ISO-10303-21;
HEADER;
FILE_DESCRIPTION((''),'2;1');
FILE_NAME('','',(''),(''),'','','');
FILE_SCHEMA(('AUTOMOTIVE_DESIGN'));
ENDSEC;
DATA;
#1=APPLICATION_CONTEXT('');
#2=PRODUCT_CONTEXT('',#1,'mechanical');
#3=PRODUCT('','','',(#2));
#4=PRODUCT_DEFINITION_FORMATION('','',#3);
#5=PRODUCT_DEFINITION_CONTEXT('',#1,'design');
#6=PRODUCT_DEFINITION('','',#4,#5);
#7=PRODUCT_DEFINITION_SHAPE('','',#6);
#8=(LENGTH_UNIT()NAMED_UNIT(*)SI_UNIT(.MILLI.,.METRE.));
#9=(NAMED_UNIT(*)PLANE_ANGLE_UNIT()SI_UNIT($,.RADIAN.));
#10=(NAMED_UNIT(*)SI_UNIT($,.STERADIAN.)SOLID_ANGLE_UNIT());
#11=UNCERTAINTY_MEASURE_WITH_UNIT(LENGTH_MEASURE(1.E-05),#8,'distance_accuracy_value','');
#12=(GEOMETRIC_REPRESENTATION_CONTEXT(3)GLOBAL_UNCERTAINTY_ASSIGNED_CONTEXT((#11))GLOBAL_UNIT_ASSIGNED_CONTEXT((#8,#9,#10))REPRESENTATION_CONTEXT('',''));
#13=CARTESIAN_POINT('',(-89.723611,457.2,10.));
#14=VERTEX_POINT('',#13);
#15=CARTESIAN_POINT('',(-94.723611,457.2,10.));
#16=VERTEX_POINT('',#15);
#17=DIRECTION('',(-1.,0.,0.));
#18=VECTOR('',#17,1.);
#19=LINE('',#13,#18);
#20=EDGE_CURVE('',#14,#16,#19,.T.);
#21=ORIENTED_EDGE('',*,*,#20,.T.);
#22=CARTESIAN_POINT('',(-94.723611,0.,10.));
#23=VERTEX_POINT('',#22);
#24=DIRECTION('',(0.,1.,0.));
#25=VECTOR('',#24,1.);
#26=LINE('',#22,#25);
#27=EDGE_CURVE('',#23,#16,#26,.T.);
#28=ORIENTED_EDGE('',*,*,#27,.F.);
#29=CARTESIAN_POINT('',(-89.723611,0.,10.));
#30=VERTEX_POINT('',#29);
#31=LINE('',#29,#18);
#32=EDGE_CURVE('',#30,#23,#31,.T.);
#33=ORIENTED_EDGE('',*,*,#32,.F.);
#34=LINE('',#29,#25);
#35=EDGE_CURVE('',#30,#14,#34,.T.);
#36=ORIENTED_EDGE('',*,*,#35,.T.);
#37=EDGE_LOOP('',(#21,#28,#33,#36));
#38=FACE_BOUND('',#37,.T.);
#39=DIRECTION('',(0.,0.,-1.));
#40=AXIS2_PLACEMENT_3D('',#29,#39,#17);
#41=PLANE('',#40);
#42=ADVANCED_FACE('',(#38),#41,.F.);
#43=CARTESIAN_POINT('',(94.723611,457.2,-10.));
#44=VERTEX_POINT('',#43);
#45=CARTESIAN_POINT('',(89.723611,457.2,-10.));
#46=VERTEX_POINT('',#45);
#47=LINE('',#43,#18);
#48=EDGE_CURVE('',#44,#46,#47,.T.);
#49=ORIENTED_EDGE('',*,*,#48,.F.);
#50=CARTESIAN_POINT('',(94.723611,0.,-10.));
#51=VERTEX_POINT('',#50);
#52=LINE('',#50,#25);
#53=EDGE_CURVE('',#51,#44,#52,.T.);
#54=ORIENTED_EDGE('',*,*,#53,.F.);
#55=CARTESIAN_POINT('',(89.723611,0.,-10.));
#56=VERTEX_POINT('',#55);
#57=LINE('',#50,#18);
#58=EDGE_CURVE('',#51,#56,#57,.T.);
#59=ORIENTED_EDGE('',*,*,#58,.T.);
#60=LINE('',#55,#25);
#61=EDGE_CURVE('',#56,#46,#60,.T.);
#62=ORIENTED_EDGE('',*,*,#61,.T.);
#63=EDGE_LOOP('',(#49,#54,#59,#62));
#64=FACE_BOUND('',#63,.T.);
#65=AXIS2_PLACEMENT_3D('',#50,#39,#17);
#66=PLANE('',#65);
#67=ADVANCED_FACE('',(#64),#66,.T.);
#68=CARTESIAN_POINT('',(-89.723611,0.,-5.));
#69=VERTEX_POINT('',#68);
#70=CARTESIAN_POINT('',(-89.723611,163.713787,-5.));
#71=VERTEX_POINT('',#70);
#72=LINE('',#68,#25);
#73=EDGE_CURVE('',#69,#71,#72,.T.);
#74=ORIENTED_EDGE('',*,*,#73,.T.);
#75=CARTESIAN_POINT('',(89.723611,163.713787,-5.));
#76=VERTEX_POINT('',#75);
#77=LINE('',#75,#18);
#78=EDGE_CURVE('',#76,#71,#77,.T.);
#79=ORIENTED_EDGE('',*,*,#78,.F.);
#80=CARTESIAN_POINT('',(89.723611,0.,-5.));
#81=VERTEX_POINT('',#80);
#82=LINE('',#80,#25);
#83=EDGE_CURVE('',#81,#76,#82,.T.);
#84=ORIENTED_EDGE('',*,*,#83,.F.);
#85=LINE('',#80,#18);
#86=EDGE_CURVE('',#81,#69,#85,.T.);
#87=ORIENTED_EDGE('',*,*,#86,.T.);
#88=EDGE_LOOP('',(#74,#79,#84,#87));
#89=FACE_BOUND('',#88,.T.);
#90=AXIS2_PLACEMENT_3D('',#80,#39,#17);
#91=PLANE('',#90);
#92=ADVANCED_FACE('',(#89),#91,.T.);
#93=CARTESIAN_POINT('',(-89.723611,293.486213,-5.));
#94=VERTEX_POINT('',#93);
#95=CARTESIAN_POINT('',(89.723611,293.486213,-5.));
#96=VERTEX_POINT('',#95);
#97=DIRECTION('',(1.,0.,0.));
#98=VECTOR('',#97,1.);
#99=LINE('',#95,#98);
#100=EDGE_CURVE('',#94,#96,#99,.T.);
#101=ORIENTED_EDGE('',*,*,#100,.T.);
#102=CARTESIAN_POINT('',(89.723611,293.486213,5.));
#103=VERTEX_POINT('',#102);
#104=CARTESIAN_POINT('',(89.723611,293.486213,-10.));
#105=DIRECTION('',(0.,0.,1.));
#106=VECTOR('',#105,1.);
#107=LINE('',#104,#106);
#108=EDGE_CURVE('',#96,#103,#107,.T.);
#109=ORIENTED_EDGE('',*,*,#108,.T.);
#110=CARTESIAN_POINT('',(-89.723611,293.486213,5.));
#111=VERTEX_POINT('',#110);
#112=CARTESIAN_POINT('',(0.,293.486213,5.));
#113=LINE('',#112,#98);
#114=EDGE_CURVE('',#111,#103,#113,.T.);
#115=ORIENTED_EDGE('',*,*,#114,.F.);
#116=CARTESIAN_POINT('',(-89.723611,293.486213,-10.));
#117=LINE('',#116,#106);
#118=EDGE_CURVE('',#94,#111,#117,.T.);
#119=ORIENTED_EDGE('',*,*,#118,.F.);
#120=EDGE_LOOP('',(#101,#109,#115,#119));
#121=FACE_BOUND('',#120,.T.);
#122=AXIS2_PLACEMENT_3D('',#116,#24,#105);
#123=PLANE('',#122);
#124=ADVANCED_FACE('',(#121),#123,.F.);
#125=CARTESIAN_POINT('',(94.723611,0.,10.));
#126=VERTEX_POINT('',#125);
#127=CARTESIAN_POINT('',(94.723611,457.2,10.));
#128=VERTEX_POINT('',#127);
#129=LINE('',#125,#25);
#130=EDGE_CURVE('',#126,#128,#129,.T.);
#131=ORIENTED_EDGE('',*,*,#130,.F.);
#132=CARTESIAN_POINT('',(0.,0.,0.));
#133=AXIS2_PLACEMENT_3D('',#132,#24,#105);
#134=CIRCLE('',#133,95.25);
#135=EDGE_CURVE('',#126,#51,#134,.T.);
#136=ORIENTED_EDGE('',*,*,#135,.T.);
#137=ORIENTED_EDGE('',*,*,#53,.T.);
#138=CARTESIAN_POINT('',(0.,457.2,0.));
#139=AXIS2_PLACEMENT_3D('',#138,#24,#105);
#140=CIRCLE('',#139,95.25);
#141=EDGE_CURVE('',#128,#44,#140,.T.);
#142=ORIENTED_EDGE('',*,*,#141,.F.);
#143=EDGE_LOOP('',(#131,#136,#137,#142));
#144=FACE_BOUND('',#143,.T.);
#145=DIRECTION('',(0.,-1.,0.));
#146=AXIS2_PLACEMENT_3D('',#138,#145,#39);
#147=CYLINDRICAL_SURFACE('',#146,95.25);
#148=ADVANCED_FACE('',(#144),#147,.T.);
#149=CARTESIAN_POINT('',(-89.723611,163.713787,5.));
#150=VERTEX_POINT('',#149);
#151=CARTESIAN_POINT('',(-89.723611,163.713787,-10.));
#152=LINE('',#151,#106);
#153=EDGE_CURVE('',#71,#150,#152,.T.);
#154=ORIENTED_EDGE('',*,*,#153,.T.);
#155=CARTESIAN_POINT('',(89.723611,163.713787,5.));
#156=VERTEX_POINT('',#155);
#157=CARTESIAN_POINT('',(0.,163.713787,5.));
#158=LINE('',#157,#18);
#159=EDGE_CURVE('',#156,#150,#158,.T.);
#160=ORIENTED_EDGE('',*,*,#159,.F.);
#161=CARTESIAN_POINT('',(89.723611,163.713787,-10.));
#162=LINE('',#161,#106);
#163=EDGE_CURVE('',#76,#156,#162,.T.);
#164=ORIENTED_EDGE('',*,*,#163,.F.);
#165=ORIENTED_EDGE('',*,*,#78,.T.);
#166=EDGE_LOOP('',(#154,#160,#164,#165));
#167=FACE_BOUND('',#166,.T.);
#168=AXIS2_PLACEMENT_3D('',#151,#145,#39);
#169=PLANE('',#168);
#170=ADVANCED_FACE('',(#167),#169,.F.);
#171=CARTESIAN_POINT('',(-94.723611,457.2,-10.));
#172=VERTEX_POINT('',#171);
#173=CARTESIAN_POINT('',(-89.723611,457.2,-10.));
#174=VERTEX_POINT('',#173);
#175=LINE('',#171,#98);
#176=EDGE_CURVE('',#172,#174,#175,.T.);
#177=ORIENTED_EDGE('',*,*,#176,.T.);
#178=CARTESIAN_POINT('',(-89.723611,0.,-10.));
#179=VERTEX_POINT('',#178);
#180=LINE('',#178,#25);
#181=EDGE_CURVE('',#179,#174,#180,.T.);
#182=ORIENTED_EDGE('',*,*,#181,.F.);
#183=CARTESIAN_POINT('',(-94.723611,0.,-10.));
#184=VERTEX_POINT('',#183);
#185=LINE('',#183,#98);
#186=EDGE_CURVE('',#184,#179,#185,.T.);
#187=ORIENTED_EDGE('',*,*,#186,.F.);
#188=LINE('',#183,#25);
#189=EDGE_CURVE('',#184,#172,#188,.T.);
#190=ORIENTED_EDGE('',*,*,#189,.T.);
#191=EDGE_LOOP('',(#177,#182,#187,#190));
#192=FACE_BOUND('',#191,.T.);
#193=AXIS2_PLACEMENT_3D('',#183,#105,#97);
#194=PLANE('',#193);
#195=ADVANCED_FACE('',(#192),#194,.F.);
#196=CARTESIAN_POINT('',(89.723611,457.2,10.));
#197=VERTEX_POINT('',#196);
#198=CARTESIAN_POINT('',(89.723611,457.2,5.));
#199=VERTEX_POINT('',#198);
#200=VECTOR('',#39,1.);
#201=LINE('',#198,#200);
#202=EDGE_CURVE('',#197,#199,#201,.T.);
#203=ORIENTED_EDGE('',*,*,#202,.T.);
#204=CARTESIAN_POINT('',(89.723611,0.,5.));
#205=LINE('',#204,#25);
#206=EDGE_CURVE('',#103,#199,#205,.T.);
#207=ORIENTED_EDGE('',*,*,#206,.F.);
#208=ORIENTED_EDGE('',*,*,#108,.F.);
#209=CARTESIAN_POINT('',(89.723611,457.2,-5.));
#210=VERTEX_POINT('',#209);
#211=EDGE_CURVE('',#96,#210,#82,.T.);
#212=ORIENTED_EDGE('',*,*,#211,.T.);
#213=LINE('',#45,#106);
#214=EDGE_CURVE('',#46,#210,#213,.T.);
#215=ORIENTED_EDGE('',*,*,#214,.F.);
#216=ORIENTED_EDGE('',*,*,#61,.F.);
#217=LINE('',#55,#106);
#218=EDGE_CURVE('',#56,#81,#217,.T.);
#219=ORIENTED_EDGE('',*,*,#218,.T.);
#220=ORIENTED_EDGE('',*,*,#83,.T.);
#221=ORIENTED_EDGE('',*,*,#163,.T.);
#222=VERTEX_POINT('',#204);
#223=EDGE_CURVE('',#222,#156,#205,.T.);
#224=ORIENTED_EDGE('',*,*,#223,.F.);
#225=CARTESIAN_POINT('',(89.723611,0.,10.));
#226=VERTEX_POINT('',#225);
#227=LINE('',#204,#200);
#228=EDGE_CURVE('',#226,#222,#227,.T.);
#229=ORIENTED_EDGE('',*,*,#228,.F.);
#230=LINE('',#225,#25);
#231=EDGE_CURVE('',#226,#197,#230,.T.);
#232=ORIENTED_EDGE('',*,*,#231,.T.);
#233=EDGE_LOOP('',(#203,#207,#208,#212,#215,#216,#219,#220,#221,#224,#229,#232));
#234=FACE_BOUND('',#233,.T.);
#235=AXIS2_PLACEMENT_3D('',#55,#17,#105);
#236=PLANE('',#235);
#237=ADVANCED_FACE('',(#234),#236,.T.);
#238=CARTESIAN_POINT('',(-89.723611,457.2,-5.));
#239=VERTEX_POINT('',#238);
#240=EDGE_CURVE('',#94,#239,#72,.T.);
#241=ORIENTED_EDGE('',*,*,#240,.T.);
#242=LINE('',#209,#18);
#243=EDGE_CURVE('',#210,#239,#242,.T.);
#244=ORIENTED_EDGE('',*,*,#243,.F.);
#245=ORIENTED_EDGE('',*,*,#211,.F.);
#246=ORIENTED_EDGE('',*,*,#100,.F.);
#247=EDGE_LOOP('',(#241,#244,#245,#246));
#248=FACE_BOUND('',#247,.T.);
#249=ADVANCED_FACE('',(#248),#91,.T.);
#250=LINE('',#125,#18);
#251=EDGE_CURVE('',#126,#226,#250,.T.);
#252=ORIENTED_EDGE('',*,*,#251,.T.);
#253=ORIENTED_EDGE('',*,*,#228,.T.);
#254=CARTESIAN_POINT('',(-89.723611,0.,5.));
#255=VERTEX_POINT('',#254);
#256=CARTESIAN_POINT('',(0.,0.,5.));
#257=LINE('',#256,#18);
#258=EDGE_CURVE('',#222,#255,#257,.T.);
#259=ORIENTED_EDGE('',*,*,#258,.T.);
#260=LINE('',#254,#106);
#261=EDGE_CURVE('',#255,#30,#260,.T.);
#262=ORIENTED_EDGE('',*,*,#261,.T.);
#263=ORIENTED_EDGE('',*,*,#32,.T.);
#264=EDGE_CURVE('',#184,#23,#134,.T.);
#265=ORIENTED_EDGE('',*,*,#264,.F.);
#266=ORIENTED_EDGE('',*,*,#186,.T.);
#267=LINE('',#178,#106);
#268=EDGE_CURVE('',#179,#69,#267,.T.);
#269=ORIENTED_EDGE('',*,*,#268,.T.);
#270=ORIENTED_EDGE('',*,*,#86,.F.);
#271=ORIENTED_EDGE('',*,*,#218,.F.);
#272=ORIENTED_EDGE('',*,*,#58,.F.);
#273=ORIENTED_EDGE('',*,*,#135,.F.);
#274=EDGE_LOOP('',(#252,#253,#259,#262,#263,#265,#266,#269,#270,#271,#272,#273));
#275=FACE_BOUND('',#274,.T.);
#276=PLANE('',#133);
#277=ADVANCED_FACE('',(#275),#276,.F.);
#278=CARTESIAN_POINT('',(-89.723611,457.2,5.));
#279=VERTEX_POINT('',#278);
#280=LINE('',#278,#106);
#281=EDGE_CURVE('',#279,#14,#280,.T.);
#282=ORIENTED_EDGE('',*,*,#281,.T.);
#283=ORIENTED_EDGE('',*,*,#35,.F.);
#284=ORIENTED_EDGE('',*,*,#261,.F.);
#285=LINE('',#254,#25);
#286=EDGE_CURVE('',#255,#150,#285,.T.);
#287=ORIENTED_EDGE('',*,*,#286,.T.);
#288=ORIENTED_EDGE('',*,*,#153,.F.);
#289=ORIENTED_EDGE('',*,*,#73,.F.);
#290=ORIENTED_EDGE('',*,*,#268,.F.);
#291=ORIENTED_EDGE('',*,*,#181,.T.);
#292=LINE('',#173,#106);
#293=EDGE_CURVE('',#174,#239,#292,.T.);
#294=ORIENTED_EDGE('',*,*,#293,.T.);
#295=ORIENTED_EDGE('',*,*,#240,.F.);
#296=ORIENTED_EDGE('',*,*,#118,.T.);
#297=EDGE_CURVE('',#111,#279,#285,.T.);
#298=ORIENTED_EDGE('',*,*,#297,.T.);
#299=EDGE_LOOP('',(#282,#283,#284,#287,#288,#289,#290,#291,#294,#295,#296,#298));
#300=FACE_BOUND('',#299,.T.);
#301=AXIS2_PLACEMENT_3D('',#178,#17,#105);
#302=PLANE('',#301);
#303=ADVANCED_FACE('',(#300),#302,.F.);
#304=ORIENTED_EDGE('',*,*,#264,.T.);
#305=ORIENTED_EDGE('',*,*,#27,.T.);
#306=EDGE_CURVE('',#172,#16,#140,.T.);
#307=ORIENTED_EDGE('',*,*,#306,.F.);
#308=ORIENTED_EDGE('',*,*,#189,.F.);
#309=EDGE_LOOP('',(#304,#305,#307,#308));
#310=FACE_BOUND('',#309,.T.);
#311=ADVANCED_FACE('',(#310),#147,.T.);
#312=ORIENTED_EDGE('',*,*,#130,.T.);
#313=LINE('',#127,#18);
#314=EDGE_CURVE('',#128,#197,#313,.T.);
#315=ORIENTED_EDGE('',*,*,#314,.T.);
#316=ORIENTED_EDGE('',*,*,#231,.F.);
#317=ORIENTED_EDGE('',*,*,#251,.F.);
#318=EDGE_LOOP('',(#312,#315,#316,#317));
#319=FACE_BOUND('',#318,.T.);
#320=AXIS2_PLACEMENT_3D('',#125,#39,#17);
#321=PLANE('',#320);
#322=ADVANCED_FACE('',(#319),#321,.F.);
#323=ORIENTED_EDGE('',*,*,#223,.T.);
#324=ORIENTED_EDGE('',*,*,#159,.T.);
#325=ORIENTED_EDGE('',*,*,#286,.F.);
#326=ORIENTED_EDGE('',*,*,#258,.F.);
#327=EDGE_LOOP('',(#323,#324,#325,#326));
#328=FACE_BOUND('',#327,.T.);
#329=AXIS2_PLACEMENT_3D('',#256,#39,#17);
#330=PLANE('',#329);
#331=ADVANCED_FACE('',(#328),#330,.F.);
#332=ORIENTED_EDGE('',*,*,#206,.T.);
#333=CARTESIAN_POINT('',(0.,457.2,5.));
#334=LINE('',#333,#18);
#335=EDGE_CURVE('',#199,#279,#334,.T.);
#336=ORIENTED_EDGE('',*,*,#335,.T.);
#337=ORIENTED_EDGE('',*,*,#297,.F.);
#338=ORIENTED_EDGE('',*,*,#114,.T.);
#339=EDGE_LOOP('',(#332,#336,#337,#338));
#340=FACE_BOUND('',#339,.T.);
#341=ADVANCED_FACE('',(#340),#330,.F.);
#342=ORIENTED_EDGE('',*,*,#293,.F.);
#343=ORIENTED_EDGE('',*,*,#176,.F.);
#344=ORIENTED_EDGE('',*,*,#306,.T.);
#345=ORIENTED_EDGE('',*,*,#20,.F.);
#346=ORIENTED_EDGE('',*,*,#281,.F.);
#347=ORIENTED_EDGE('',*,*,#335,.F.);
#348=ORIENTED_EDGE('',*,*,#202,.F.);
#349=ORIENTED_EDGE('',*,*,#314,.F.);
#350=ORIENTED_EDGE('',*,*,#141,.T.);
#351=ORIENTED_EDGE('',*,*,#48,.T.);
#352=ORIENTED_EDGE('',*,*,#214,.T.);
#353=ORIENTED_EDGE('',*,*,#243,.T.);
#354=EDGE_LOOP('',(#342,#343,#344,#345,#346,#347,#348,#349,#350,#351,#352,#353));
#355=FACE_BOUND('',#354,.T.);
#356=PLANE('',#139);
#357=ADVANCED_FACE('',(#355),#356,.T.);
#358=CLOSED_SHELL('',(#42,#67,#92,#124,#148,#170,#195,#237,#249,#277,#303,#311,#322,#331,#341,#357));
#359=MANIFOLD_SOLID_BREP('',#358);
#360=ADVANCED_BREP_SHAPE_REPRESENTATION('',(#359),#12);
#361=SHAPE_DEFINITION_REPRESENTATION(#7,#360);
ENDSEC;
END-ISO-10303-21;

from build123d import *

# Parameters (mm, degrees)
SKETCH1_R               = 95.25
BOSS_EXTRUDE1_DEPTH     = 457.2
CUT_EXTRUDE1_DEPTH      = 457.2
CUT_EXTRUDE2_DEPTH      = 457.2
SKETCH9_W               = 179.447222202
SKETCH9_H               = 129.77242504
CUT_EXTRUDE4_DEPTH      = 11
CUT_EXTRUDE4_DEPTH_BACK = 11


with BuildPart() as part:
    # Sketch1 → Boss-Extrude1 (new body)
    with BuildSketch(Plane(origin=(0, 0, 0), x_dir=(1, 0, 0), z_dir=(0, 1, 0))):
        Circle(SKETCH1_R)
    extrude(amount=BOSS_EXTRUDE1_DEPTH)

    # Sketch2 → Cut-Extrude1 (cut)
    with BuildSketch(Plane(origin=(0, 457.2, 0), x_dir=(1, 0, 0), z_dir=(0, 1, 0))):
        with BuildLine():
            Line((89.723611101, 10), (89.723611101, 5))
            Line((89.723611101, 5), (-89.723611101, 5))
            Line((-89.723611101, 5), (-89.723611101, 10))
            Line((-89.723611101, 10), (-94.723611101, 10))
            ThreePointArc((-94.723611101, 10), (0, 95.25), (94.723611101, 10))
            Line((94.723611101, 10), (89.723611101, 10))
        make_face()
    extrude(amount=-CUT_EXTRUDE1_DEPTH, mode=Mode.SUBTRACT)

    # Sketch5 → Cut-Extrude2 (cut)
    with BuildSketch(Plane(origin=(0, 457.2, 0), x_dir=(1, 0, 0), z_dir=(0, 1, 0))):
        with BuildLine():
            Line((0, -5), (-89.723611101, -5))
            Line((-89.723611101, -5), (-89.723611101, -10))
            Line((-89.723611101, -10), (-94.723611101, -10))
            ThreePointArc((-94.723611101, -10), (0, -95.25), (94.723611101, -10))
            Line((94.723611101, -10), (89.723611101, -10))
            Line((89.723611101, -10), (89.723611101, -5))
            Line((89.723611101, -5), (0, -5))
        make_face()
    extrude(amount=-CUT_EXTRUDE2_DEPTH, mode=Mode.SUBTRACT)

    # Sketch9 → Cut-Extrude4 (cut, two sides)
    with BuildSketch(Plane.XY) as cut_extrude4_sk:
        with Locations((0, 228.6)):
            Rectangle(SKETCH9_W, SKETCH9_H)
    extrude(amount=CUT_EXTRUDE4_DEPTH, mode=Mode.SUBTRACT)
    extrude(cut_extrude4_sk.sketch, amount=-CUT_EXTRUDE4_DEPTH_BACK, mode=Mode.SUBTRACT)


solid = part.part
